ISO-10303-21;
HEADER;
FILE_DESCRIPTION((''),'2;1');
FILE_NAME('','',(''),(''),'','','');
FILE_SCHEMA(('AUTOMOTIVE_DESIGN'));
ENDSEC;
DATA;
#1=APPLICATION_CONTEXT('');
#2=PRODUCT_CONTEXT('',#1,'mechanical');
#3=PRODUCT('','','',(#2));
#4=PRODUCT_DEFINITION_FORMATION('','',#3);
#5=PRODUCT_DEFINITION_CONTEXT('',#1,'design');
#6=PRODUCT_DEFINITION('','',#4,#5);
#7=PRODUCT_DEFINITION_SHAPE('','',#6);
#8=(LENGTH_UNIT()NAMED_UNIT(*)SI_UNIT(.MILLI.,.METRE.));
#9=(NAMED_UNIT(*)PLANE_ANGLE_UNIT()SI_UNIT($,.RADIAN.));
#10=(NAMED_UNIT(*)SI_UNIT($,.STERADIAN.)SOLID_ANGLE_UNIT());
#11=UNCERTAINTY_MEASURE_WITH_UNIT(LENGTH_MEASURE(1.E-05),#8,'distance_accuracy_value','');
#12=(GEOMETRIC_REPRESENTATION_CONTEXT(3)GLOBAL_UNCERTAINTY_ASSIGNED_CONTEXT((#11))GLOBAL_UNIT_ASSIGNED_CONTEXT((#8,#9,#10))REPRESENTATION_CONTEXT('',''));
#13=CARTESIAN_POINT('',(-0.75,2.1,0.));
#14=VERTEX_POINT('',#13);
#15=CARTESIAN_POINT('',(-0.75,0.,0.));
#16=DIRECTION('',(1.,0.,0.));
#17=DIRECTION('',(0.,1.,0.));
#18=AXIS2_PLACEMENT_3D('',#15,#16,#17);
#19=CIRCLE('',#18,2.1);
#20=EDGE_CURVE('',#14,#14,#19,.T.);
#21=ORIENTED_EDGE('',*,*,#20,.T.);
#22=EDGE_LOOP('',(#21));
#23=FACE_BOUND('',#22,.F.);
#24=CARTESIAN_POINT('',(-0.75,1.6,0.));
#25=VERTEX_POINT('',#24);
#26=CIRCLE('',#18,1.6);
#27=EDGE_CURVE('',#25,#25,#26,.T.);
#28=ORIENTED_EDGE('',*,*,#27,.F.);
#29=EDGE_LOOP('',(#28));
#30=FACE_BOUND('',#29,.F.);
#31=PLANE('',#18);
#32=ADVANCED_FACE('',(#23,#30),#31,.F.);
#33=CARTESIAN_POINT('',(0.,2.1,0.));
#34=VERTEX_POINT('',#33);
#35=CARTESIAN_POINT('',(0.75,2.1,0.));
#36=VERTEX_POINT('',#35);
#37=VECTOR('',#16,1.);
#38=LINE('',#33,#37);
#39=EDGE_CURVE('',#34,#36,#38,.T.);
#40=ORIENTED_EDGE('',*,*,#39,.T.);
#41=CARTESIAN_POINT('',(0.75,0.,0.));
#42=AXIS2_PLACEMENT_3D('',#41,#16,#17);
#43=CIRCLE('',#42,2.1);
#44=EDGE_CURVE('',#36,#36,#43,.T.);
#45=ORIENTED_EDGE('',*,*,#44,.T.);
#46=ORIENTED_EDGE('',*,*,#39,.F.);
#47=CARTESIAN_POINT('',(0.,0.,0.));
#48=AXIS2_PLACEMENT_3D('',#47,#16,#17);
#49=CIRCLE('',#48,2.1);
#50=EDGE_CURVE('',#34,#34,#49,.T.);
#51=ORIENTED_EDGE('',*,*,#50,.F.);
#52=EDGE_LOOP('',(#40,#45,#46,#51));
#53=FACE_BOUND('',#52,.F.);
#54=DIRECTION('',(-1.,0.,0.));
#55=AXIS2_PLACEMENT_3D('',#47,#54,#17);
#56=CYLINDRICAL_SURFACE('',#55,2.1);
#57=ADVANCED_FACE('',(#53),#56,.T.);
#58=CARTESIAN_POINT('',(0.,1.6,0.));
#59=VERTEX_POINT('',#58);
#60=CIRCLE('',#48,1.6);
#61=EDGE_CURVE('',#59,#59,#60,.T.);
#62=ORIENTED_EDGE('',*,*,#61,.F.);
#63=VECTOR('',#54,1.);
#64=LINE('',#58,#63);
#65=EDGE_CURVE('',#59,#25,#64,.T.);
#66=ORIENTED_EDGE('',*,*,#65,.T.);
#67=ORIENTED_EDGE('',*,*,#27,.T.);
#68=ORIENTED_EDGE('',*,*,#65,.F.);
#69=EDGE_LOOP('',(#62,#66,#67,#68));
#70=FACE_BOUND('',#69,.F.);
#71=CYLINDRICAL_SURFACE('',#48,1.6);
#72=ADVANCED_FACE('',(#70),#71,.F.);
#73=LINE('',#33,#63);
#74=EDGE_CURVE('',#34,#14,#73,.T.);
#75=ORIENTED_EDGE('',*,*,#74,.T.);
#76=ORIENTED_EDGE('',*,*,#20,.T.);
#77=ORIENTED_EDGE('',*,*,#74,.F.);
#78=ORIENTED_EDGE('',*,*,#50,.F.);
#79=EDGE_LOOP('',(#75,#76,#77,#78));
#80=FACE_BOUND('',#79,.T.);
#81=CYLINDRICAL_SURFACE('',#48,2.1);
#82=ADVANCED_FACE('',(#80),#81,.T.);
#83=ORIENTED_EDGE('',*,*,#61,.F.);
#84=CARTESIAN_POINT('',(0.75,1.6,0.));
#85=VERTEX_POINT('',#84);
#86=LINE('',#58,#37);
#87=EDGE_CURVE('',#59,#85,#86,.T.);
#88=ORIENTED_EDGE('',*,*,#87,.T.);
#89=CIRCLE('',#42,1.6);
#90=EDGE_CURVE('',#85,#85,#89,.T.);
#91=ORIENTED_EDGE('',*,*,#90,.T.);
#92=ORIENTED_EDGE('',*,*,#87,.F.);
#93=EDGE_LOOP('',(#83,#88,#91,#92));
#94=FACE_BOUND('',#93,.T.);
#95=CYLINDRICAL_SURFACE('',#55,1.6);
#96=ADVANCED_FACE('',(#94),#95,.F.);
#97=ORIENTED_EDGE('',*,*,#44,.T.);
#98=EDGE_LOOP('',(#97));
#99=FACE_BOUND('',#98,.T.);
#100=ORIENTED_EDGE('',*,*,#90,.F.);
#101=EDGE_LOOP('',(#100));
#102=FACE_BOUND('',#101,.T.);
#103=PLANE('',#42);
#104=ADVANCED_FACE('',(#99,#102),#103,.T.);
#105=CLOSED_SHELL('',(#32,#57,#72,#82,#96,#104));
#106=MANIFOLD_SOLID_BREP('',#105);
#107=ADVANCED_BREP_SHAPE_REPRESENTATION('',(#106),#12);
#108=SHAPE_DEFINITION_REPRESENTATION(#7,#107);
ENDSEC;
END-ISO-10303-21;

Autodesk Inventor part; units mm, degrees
ref_plane "YZ Plane" through (0, 0, 0) normal (1, 0, 0) x (0, 1, 0)
ref_plane "XZ Plane" through (0, 0, 0) normal (0, 1, 0) x (-1, 0, 0)
ref_plane "XY Plane" through (0, 0, 0) normal (0, 0, 1) x (1, 0, 0)
sketch "スケッチ1" plane through (0, 0, 0) normal (1, 0, 0) x (0, 1, 0)
  circle A0 centre (0, 0) radius 2.1
  circle A1 centre (0, 0) radius 1.6
  dimension "d0" = 4.2
  dimension "d1" = 3.2
extrude "押し出し1" add sketch "スケッチ1" along normal mid plane 1.5
properties part number "CB-301.5PC"
